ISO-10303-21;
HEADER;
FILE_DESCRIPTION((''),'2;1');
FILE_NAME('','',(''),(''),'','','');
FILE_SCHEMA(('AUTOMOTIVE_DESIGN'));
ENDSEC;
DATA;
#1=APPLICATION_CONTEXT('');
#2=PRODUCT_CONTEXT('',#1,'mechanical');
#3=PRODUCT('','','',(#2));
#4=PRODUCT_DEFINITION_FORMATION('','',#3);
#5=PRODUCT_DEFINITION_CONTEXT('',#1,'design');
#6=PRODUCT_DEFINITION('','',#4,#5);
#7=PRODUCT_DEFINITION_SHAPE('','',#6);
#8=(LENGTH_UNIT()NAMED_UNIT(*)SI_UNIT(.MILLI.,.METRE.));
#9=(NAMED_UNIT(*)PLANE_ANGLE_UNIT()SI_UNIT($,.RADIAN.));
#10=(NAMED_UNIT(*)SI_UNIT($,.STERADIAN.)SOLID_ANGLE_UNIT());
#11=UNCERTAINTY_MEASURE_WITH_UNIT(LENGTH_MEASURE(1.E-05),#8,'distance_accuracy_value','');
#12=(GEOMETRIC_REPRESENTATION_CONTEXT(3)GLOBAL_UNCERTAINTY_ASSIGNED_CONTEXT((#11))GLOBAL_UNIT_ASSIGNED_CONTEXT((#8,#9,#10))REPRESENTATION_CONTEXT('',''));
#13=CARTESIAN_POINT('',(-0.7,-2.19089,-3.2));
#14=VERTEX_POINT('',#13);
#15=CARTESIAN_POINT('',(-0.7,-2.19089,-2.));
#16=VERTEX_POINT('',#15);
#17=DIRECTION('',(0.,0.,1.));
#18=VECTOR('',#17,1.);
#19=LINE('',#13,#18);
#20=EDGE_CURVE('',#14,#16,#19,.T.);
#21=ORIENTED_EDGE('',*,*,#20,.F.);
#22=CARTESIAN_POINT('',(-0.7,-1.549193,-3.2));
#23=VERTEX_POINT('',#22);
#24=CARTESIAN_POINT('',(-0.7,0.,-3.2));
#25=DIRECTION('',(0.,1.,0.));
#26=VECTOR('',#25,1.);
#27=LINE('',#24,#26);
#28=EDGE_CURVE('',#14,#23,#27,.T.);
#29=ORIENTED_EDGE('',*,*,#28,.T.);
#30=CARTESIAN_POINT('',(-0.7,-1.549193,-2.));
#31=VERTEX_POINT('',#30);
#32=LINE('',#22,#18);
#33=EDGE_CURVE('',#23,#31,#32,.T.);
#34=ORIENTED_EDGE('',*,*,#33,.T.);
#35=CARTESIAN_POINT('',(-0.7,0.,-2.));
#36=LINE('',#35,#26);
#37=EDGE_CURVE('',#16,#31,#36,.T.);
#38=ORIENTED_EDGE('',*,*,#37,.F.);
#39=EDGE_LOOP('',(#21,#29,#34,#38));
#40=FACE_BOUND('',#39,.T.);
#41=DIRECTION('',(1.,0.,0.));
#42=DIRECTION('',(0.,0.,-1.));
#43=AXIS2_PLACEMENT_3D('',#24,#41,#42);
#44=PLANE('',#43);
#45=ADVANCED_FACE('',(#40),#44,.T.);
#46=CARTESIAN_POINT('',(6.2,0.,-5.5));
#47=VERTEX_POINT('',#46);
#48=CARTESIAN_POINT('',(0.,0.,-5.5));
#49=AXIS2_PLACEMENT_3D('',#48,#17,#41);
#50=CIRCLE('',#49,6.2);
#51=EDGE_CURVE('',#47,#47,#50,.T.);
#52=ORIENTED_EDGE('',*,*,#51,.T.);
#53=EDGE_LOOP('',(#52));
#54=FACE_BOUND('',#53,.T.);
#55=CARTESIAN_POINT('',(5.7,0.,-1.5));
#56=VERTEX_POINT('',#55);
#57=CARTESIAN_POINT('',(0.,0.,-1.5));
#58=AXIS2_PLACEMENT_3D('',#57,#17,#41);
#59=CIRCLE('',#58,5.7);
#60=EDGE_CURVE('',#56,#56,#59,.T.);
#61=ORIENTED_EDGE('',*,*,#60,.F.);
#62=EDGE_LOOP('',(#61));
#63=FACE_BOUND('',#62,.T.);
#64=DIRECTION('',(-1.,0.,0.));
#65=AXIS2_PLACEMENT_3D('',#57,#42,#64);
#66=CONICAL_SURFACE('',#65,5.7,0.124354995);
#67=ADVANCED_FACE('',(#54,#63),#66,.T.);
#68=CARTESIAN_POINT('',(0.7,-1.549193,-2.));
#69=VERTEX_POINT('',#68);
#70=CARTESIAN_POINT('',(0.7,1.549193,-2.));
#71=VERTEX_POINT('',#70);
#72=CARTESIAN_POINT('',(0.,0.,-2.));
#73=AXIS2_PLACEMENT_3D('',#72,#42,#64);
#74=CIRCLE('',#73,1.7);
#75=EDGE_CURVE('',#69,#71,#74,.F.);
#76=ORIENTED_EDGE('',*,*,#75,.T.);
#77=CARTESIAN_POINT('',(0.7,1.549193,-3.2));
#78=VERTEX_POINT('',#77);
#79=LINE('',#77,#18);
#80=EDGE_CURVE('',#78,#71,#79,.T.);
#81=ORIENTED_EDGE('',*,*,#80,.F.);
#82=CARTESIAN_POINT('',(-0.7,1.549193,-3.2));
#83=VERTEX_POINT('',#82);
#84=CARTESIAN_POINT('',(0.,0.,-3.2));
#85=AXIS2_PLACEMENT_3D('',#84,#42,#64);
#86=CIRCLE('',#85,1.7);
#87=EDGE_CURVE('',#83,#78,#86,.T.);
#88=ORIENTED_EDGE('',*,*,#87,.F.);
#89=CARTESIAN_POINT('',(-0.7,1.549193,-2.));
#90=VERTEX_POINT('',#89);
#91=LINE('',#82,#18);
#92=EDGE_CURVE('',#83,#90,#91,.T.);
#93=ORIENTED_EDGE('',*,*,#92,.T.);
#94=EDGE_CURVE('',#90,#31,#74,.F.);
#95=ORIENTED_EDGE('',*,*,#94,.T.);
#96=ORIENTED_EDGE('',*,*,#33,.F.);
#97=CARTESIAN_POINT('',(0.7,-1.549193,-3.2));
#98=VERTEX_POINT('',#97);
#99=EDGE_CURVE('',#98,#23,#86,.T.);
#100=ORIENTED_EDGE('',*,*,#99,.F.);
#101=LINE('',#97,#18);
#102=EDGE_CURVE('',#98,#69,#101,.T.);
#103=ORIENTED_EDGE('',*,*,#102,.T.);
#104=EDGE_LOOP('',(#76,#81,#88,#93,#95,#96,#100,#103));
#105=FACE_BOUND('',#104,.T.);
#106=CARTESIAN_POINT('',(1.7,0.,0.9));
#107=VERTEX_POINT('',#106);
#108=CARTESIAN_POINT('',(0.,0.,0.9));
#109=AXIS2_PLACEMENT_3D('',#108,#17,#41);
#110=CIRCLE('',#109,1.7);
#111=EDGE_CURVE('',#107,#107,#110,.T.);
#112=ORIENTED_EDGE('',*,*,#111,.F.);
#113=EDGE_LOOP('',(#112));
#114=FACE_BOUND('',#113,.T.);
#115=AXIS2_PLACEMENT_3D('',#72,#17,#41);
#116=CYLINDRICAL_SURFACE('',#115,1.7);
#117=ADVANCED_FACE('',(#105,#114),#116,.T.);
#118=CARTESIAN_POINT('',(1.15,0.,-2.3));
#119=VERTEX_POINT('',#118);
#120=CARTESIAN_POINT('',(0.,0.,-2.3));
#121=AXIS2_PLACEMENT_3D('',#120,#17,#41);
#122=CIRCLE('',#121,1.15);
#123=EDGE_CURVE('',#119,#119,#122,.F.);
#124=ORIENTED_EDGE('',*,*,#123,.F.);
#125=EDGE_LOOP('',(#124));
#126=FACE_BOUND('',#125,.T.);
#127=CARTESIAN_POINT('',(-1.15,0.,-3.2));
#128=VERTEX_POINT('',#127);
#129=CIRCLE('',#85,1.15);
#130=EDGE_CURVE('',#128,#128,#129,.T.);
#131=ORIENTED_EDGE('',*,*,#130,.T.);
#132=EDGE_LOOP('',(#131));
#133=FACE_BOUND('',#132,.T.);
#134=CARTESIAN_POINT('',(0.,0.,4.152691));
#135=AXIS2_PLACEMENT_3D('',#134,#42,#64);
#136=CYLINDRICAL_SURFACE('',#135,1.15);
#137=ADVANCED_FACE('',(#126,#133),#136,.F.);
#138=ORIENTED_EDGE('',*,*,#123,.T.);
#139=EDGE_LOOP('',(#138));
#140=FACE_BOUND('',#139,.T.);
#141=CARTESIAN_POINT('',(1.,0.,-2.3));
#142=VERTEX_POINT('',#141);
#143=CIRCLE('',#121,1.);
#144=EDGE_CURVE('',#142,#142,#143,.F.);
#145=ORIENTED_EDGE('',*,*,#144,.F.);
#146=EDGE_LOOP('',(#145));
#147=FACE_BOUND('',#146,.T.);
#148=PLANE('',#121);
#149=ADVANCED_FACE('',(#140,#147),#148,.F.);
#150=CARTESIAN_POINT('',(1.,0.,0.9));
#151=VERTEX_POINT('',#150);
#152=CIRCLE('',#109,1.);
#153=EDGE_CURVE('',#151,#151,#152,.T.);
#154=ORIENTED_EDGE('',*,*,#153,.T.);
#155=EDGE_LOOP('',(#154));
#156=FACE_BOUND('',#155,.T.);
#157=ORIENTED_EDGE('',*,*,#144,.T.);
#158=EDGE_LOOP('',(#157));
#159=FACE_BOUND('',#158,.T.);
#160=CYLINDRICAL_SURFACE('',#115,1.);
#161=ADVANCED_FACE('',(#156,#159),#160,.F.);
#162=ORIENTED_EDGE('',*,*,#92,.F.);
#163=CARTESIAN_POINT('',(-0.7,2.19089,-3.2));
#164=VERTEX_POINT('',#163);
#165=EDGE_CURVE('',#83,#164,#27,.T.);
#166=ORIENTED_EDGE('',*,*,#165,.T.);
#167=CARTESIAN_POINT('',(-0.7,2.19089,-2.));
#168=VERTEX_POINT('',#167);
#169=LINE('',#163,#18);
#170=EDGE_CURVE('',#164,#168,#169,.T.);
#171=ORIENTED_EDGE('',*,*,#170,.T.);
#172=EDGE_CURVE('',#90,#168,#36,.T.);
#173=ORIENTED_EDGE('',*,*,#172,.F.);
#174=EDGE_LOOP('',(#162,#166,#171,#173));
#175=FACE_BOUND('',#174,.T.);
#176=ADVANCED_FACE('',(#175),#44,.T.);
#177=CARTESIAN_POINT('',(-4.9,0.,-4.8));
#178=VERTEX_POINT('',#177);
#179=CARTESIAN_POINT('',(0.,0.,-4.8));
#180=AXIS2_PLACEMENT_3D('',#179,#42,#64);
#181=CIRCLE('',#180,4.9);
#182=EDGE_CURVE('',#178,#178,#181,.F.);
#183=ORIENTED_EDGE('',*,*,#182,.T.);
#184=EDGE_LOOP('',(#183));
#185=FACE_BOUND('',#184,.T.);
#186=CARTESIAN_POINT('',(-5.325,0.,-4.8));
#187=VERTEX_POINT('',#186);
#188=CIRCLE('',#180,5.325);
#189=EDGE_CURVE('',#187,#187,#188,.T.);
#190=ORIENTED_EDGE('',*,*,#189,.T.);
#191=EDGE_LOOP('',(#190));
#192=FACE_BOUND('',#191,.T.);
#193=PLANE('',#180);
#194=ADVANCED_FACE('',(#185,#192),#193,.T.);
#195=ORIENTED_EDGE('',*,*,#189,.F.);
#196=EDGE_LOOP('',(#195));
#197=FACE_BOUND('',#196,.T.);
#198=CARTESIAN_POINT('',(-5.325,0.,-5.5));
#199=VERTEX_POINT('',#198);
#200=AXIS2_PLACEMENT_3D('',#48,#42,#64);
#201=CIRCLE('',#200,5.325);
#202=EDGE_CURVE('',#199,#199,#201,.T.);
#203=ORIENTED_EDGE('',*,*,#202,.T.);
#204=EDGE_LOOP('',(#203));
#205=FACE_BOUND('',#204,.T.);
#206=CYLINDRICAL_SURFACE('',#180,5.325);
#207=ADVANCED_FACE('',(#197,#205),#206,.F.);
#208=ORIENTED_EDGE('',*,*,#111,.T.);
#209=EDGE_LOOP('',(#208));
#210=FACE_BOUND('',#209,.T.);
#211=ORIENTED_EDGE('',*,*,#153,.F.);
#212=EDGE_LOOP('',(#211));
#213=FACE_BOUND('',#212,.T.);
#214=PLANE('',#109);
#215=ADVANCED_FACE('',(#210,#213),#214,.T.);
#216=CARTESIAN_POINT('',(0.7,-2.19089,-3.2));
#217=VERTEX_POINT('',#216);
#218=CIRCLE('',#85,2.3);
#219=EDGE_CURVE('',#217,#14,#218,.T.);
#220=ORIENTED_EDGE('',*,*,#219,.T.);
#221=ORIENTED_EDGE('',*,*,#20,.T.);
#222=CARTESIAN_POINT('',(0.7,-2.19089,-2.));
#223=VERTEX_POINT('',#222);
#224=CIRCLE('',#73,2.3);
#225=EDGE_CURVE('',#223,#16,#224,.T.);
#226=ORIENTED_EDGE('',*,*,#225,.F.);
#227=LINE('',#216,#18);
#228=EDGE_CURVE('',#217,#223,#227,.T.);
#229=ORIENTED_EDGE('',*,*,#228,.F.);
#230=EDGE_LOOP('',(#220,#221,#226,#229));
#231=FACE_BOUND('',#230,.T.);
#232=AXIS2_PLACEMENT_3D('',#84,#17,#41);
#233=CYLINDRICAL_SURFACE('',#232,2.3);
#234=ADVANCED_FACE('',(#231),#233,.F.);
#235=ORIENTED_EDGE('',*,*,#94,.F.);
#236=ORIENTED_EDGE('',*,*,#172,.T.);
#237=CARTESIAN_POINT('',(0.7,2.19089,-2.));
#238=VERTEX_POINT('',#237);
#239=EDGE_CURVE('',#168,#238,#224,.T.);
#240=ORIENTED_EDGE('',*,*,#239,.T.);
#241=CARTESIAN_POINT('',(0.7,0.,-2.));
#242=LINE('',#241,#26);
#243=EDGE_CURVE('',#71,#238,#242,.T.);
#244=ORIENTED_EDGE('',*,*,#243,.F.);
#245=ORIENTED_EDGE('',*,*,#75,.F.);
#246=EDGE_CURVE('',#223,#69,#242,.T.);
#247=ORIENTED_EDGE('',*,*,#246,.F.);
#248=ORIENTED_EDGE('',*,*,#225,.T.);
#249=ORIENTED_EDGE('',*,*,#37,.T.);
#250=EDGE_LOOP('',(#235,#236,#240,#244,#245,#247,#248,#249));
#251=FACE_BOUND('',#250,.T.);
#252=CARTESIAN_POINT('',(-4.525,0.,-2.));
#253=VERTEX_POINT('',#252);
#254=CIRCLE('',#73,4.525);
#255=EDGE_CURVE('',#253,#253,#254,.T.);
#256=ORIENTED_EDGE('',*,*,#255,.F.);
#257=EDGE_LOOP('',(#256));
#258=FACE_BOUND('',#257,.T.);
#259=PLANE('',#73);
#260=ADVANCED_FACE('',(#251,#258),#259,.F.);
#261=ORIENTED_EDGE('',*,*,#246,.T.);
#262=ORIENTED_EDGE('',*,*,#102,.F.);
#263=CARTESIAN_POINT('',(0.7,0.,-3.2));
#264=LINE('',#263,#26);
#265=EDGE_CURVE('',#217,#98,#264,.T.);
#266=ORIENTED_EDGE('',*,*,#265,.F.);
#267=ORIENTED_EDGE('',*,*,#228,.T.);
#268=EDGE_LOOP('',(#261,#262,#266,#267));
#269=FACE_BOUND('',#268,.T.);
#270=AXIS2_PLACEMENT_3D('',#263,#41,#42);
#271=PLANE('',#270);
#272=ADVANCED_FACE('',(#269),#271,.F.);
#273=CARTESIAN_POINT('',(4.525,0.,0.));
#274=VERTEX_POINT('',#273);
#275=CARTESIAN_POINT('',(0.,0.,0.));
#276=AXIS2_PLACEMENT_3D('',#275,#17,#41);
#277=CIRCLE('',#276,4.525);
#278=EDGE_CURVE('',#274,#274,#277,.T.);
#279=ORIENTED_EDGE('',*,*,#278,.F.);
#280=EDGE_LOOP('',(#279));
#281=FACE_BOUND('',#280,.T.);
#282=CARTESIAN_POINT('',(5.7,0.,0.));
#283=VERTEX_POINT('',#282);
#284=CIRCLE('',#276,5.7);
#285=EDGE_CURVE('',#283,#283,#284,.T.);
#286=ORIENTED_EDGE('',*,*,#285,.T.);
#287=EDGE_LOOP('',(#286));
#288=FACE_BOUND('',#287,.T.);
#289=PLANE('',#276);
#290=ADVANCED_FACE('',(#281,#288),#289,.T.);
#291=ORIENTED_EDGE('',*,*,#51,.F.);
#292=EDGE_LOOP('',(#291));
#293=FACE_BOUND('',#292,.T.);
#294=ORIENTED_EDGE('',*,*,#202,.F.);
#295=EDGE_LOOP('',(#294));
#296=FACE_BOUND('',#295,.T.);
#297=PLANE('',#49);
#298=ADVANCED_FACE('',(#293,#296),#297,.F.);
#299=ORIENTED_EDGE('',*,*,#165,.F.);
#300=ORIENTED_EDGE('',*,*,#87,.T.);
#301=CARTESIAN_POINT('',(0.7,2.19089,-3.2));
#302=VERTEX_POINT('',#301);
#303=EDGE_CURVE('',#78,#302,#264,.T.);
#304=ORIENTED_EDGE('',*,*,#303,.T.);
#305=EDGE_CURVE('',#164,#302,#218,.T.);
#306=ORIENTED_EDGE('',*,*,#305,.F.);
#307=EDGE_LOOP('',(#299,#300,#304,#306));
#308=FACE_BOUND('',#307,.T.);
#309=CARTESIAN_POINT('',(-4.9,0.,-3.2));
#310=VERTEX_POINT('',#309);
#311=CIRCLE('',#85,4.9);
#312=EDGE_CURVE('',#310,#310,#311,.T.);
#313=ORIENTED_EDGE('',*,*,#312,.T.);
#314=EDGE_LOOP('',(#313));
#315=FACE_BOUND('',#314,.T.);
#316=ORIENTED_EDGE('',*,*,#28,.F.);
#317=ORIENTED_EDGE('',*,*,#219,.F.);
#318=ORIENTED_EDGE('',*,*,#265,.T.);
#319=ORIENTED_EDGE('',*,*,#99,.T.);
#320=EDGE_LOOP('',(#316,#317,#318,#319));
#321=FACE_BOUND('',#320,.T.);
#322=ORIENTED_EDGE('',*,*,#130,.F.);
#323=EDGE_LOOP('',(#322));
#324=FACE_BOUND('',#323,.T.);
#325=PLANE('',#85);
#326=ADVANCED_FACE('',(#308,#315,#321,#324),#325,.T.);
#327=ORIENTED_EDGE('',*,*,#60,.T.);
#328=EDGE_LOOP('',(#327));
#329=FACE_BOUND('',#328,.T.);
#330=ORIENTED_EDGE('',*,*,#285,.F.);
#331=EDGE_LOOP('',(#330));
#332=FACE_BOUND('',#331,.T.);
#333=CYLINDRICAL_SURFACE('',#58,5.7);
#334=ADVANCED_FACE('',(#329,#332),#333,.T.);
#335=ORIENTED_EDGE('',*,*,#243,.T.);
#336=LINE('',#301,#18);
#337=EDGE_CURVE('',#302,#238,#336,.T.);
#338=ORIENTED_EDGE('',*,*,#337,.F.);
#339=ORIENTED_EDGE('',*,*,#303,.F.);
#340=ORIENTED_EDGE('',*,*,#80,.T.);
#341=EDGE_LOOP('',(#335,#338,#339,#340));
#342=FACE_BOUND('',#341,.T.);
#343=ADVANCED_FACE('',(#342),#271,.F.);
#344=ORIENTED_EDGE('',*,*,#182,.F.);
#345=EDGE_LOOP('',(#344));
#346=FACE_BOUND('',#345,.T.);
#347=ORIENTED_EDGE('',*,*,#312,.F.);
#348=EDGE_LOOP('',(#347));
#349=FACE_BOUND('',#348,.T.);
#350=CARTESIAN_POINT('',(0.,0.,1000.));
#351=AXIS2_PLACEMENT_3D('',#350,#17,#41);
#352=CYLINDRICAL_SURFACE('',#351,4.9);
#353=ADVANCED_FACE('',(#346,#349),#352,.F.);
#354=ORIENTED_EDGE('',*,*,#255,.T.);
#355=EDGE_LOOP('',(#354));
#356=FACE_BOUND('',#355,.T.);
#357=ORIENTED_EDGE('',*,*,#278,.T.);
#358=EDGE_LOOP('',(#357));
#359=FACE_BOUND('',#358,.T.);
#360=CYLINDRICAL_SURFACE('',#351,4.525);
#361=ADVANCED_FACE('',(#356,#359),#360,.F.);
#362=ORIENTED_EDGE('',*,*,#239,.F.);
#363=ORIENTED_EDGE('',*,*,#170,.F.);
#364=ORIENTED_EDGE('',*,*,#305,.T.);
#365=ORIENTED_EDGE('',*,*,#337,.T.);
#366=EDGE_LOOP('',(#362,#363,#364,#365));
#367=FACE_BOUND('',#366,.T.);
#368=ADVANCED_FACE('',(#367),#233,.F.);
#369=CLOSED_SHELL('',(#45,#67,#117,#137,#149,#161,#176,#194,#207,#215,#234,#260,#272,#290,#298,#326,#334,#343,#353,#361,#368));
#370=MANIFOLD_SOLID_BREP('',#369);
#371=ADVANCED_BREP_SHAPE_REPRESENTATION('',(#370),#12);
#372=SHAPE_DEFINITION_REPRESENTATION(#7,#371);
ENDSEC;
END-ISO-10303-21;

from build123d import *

# Parameters (mm, degrees)
SKETCH_1_R           = 1.7
SKETCH_1_R_2         = 1
EXTRUDE_1_DEPTH      = 0.9
EXTRUDE_1_DEPTH_BACK = 2
SKETCH_1_3_R         = 5.7
SKETCH_1_3_R_2       = 4.525
EXTRUDE_2_DEPTH      = 1.5
SKETCH_2_R           = 5
EXTRUDE_3_DEPTH      = 1.2
SKETCH_2_5_R         = 1
CUT_EXTRUDE_3_DEPTH  = 2.2
SKETCH_6_R           = 1.15
CUT_EXTRUDE_4_DEPTH  = 0.9
SKETCH_4_W           = 0.5
SKETCH_4_H           = 0.375
SKETCH_7_R           = 5.325
CUT_EXTRUDE_5_DEPTH  = 0.7


with BuildPart() as part:
    # Sketch 1 → Extrude 1 (new body, two sides)
    with BuildSketch(Plane.XY) as extrude_1_sk:
        Circle(SKETCH_1_R)
        Circle(SKETCH_1_R_2, mode=Mode.SUBTRACT)
    extrude(amount=EXTRUDE_1_DEPTH)
    extrude(extrude_1_sk.sketch, amount=-EXTRUDE_1_DEPTH_BACK)

    # Sketch 2 → Extrude 3 (add)
    with BuildSketch(Plane(origin=(0, 0, -2), x_dir=(-1, 0, 0), z_dir=(0, 0, -1))):
        Circle(SKETCH_2_R)
    extrude(amount=EXTRUDE_3_DEPTH)

    # Sketch 2_5 → Cut-Extrude 3 (cut, through all)
    with BuildSketch(Plane(origin=(0, 0, -2), x_dir=(-1, 0, 0), z_dir=(0, 0, -1))):
        with BuildLine():
            Line((-0.7, -1.549193338), (-0.7, -2.19089023))
            ThreePointArc((-0.7, -2.19089023), (0, -2.3), (0.7, -2.19089023))
            Line((0.7, -2.19089023), (0.7, -1.549193338))
            ThreePointArc((0.7, -1.549193338), (0, -1.7), (-0.7, -1.549193338))
        make_face()
        with BuildLine():
            ThreePointArc((0.7, 2.19089023), (0, 2.3), (-0.7, 2.19089023))
            Line((-0.7, 2.19089023), (-0.7, 1.549193338))
            ThreePointArc((-0.7, 1.549193338), (0, 1.7), (0.7, 1.549193338))
            Line((0.7, 1.549193338), (0.7, 2.19089023))
        make_face()
        with BuildLine():
            Line((-0.7, -1.549193338), (-0.7, -2.19089023))
            ThreePointArc((-0.7, -2.19089023), (0, -2.3), (0.7, -2.19089023))
            Line((0.7, -2.19089023), (0.7, -1.549193338))
            ThreePointArc((0.7, -1.549193338), (0, -1.7), (-0.7, -1.549193338))
        make_face()
        with BuildLine():
            ThreePointArc((0.7, 2.19089023), (0, 2.3), (-0.7, 2.19089023))
            Line((-0.7, 2.19089023), (-0.7, 1.549193338))
            ThreePointArc((-0.7, 1.549193338), (0, 1.7), (0.7, 1.549193338))
            Line((0.7, 1.549193338), (0.7, 2.19089023))
        make_face()
        with Locations(Location((0, 0, 0), (0, 0, 180))):  # turned: the seam where the file's is
            Circle(SKETCH_2_5_R)
    extrude(amount=CUT_EXTRUDE_3_DEPTH, mode=Mode.SUBTRACT)

    # Sketch 6 → Cut-Extrude 4 (cut)
    with BuildSketch(Plane(origin=(0, 0, -3.2), x_dir=(-1, 0, 0), z_dir=(0, 0, -1))):
        Circle(SKETCH_6_R)
    extrude(amount=-CUT_EXTRUDE_4_DEPTH, mode=Mode.SUBTRACT)



with BuildPart() as body_2:
    # Sketch 1_3 → Extrude 2 (new body)
    with BuildSketch(Plane.XY):
        Circle(SKETCH_1_3_R)
        Circle(SKETCH_1_3_R_2, mode=Mode.SUBTRACT)
    extrude(amount=-EXTRUDE_2_DEPTH)


with BuildPart() as part_1:
    add(part.part)

    add(body_2.part)  # Revolve 2 merges body 2
    # Sketch 4 → Revolve 2 (revolve)
    with BuildSketch(Plane(origin=(0, 0, 0), x_dir=(0, 0, -1), z_dir=(1, 0, 0)), mode=Mode.PRIVATE) as revolve_2_sk:
        Polygon((1.5, 5.7), (5.5, 6.2), (5.5, 4.9), (1.5, 4.9), align=None)
        with Locations((1.75, 4.7125)):
            Rectangle(SKETCH_4_W, SKETCH_4_H)
    revolve(revolve_2_sk.sketch.rotate(Axis((0, 0, 1000), (0, 0, -1)), 90), axis=Axis((0, 0, 1000), (0, 0, -1)))  # turned: the seam where the file's is

    # Sketch 7 → Cut-Extrude 5 (cut)
    with BuildSketch(Plane(origin=(0, 0, -5.5), x_dir=(-1, 0, 0), z_dir=(0, 0, -1))):
        Circle(SKETCH_7_R)
    extrude(amount=-CUT_EXTRUDE_5_DEPTH, mode=Mode.SUBTRACT)


solid = part_1.part
